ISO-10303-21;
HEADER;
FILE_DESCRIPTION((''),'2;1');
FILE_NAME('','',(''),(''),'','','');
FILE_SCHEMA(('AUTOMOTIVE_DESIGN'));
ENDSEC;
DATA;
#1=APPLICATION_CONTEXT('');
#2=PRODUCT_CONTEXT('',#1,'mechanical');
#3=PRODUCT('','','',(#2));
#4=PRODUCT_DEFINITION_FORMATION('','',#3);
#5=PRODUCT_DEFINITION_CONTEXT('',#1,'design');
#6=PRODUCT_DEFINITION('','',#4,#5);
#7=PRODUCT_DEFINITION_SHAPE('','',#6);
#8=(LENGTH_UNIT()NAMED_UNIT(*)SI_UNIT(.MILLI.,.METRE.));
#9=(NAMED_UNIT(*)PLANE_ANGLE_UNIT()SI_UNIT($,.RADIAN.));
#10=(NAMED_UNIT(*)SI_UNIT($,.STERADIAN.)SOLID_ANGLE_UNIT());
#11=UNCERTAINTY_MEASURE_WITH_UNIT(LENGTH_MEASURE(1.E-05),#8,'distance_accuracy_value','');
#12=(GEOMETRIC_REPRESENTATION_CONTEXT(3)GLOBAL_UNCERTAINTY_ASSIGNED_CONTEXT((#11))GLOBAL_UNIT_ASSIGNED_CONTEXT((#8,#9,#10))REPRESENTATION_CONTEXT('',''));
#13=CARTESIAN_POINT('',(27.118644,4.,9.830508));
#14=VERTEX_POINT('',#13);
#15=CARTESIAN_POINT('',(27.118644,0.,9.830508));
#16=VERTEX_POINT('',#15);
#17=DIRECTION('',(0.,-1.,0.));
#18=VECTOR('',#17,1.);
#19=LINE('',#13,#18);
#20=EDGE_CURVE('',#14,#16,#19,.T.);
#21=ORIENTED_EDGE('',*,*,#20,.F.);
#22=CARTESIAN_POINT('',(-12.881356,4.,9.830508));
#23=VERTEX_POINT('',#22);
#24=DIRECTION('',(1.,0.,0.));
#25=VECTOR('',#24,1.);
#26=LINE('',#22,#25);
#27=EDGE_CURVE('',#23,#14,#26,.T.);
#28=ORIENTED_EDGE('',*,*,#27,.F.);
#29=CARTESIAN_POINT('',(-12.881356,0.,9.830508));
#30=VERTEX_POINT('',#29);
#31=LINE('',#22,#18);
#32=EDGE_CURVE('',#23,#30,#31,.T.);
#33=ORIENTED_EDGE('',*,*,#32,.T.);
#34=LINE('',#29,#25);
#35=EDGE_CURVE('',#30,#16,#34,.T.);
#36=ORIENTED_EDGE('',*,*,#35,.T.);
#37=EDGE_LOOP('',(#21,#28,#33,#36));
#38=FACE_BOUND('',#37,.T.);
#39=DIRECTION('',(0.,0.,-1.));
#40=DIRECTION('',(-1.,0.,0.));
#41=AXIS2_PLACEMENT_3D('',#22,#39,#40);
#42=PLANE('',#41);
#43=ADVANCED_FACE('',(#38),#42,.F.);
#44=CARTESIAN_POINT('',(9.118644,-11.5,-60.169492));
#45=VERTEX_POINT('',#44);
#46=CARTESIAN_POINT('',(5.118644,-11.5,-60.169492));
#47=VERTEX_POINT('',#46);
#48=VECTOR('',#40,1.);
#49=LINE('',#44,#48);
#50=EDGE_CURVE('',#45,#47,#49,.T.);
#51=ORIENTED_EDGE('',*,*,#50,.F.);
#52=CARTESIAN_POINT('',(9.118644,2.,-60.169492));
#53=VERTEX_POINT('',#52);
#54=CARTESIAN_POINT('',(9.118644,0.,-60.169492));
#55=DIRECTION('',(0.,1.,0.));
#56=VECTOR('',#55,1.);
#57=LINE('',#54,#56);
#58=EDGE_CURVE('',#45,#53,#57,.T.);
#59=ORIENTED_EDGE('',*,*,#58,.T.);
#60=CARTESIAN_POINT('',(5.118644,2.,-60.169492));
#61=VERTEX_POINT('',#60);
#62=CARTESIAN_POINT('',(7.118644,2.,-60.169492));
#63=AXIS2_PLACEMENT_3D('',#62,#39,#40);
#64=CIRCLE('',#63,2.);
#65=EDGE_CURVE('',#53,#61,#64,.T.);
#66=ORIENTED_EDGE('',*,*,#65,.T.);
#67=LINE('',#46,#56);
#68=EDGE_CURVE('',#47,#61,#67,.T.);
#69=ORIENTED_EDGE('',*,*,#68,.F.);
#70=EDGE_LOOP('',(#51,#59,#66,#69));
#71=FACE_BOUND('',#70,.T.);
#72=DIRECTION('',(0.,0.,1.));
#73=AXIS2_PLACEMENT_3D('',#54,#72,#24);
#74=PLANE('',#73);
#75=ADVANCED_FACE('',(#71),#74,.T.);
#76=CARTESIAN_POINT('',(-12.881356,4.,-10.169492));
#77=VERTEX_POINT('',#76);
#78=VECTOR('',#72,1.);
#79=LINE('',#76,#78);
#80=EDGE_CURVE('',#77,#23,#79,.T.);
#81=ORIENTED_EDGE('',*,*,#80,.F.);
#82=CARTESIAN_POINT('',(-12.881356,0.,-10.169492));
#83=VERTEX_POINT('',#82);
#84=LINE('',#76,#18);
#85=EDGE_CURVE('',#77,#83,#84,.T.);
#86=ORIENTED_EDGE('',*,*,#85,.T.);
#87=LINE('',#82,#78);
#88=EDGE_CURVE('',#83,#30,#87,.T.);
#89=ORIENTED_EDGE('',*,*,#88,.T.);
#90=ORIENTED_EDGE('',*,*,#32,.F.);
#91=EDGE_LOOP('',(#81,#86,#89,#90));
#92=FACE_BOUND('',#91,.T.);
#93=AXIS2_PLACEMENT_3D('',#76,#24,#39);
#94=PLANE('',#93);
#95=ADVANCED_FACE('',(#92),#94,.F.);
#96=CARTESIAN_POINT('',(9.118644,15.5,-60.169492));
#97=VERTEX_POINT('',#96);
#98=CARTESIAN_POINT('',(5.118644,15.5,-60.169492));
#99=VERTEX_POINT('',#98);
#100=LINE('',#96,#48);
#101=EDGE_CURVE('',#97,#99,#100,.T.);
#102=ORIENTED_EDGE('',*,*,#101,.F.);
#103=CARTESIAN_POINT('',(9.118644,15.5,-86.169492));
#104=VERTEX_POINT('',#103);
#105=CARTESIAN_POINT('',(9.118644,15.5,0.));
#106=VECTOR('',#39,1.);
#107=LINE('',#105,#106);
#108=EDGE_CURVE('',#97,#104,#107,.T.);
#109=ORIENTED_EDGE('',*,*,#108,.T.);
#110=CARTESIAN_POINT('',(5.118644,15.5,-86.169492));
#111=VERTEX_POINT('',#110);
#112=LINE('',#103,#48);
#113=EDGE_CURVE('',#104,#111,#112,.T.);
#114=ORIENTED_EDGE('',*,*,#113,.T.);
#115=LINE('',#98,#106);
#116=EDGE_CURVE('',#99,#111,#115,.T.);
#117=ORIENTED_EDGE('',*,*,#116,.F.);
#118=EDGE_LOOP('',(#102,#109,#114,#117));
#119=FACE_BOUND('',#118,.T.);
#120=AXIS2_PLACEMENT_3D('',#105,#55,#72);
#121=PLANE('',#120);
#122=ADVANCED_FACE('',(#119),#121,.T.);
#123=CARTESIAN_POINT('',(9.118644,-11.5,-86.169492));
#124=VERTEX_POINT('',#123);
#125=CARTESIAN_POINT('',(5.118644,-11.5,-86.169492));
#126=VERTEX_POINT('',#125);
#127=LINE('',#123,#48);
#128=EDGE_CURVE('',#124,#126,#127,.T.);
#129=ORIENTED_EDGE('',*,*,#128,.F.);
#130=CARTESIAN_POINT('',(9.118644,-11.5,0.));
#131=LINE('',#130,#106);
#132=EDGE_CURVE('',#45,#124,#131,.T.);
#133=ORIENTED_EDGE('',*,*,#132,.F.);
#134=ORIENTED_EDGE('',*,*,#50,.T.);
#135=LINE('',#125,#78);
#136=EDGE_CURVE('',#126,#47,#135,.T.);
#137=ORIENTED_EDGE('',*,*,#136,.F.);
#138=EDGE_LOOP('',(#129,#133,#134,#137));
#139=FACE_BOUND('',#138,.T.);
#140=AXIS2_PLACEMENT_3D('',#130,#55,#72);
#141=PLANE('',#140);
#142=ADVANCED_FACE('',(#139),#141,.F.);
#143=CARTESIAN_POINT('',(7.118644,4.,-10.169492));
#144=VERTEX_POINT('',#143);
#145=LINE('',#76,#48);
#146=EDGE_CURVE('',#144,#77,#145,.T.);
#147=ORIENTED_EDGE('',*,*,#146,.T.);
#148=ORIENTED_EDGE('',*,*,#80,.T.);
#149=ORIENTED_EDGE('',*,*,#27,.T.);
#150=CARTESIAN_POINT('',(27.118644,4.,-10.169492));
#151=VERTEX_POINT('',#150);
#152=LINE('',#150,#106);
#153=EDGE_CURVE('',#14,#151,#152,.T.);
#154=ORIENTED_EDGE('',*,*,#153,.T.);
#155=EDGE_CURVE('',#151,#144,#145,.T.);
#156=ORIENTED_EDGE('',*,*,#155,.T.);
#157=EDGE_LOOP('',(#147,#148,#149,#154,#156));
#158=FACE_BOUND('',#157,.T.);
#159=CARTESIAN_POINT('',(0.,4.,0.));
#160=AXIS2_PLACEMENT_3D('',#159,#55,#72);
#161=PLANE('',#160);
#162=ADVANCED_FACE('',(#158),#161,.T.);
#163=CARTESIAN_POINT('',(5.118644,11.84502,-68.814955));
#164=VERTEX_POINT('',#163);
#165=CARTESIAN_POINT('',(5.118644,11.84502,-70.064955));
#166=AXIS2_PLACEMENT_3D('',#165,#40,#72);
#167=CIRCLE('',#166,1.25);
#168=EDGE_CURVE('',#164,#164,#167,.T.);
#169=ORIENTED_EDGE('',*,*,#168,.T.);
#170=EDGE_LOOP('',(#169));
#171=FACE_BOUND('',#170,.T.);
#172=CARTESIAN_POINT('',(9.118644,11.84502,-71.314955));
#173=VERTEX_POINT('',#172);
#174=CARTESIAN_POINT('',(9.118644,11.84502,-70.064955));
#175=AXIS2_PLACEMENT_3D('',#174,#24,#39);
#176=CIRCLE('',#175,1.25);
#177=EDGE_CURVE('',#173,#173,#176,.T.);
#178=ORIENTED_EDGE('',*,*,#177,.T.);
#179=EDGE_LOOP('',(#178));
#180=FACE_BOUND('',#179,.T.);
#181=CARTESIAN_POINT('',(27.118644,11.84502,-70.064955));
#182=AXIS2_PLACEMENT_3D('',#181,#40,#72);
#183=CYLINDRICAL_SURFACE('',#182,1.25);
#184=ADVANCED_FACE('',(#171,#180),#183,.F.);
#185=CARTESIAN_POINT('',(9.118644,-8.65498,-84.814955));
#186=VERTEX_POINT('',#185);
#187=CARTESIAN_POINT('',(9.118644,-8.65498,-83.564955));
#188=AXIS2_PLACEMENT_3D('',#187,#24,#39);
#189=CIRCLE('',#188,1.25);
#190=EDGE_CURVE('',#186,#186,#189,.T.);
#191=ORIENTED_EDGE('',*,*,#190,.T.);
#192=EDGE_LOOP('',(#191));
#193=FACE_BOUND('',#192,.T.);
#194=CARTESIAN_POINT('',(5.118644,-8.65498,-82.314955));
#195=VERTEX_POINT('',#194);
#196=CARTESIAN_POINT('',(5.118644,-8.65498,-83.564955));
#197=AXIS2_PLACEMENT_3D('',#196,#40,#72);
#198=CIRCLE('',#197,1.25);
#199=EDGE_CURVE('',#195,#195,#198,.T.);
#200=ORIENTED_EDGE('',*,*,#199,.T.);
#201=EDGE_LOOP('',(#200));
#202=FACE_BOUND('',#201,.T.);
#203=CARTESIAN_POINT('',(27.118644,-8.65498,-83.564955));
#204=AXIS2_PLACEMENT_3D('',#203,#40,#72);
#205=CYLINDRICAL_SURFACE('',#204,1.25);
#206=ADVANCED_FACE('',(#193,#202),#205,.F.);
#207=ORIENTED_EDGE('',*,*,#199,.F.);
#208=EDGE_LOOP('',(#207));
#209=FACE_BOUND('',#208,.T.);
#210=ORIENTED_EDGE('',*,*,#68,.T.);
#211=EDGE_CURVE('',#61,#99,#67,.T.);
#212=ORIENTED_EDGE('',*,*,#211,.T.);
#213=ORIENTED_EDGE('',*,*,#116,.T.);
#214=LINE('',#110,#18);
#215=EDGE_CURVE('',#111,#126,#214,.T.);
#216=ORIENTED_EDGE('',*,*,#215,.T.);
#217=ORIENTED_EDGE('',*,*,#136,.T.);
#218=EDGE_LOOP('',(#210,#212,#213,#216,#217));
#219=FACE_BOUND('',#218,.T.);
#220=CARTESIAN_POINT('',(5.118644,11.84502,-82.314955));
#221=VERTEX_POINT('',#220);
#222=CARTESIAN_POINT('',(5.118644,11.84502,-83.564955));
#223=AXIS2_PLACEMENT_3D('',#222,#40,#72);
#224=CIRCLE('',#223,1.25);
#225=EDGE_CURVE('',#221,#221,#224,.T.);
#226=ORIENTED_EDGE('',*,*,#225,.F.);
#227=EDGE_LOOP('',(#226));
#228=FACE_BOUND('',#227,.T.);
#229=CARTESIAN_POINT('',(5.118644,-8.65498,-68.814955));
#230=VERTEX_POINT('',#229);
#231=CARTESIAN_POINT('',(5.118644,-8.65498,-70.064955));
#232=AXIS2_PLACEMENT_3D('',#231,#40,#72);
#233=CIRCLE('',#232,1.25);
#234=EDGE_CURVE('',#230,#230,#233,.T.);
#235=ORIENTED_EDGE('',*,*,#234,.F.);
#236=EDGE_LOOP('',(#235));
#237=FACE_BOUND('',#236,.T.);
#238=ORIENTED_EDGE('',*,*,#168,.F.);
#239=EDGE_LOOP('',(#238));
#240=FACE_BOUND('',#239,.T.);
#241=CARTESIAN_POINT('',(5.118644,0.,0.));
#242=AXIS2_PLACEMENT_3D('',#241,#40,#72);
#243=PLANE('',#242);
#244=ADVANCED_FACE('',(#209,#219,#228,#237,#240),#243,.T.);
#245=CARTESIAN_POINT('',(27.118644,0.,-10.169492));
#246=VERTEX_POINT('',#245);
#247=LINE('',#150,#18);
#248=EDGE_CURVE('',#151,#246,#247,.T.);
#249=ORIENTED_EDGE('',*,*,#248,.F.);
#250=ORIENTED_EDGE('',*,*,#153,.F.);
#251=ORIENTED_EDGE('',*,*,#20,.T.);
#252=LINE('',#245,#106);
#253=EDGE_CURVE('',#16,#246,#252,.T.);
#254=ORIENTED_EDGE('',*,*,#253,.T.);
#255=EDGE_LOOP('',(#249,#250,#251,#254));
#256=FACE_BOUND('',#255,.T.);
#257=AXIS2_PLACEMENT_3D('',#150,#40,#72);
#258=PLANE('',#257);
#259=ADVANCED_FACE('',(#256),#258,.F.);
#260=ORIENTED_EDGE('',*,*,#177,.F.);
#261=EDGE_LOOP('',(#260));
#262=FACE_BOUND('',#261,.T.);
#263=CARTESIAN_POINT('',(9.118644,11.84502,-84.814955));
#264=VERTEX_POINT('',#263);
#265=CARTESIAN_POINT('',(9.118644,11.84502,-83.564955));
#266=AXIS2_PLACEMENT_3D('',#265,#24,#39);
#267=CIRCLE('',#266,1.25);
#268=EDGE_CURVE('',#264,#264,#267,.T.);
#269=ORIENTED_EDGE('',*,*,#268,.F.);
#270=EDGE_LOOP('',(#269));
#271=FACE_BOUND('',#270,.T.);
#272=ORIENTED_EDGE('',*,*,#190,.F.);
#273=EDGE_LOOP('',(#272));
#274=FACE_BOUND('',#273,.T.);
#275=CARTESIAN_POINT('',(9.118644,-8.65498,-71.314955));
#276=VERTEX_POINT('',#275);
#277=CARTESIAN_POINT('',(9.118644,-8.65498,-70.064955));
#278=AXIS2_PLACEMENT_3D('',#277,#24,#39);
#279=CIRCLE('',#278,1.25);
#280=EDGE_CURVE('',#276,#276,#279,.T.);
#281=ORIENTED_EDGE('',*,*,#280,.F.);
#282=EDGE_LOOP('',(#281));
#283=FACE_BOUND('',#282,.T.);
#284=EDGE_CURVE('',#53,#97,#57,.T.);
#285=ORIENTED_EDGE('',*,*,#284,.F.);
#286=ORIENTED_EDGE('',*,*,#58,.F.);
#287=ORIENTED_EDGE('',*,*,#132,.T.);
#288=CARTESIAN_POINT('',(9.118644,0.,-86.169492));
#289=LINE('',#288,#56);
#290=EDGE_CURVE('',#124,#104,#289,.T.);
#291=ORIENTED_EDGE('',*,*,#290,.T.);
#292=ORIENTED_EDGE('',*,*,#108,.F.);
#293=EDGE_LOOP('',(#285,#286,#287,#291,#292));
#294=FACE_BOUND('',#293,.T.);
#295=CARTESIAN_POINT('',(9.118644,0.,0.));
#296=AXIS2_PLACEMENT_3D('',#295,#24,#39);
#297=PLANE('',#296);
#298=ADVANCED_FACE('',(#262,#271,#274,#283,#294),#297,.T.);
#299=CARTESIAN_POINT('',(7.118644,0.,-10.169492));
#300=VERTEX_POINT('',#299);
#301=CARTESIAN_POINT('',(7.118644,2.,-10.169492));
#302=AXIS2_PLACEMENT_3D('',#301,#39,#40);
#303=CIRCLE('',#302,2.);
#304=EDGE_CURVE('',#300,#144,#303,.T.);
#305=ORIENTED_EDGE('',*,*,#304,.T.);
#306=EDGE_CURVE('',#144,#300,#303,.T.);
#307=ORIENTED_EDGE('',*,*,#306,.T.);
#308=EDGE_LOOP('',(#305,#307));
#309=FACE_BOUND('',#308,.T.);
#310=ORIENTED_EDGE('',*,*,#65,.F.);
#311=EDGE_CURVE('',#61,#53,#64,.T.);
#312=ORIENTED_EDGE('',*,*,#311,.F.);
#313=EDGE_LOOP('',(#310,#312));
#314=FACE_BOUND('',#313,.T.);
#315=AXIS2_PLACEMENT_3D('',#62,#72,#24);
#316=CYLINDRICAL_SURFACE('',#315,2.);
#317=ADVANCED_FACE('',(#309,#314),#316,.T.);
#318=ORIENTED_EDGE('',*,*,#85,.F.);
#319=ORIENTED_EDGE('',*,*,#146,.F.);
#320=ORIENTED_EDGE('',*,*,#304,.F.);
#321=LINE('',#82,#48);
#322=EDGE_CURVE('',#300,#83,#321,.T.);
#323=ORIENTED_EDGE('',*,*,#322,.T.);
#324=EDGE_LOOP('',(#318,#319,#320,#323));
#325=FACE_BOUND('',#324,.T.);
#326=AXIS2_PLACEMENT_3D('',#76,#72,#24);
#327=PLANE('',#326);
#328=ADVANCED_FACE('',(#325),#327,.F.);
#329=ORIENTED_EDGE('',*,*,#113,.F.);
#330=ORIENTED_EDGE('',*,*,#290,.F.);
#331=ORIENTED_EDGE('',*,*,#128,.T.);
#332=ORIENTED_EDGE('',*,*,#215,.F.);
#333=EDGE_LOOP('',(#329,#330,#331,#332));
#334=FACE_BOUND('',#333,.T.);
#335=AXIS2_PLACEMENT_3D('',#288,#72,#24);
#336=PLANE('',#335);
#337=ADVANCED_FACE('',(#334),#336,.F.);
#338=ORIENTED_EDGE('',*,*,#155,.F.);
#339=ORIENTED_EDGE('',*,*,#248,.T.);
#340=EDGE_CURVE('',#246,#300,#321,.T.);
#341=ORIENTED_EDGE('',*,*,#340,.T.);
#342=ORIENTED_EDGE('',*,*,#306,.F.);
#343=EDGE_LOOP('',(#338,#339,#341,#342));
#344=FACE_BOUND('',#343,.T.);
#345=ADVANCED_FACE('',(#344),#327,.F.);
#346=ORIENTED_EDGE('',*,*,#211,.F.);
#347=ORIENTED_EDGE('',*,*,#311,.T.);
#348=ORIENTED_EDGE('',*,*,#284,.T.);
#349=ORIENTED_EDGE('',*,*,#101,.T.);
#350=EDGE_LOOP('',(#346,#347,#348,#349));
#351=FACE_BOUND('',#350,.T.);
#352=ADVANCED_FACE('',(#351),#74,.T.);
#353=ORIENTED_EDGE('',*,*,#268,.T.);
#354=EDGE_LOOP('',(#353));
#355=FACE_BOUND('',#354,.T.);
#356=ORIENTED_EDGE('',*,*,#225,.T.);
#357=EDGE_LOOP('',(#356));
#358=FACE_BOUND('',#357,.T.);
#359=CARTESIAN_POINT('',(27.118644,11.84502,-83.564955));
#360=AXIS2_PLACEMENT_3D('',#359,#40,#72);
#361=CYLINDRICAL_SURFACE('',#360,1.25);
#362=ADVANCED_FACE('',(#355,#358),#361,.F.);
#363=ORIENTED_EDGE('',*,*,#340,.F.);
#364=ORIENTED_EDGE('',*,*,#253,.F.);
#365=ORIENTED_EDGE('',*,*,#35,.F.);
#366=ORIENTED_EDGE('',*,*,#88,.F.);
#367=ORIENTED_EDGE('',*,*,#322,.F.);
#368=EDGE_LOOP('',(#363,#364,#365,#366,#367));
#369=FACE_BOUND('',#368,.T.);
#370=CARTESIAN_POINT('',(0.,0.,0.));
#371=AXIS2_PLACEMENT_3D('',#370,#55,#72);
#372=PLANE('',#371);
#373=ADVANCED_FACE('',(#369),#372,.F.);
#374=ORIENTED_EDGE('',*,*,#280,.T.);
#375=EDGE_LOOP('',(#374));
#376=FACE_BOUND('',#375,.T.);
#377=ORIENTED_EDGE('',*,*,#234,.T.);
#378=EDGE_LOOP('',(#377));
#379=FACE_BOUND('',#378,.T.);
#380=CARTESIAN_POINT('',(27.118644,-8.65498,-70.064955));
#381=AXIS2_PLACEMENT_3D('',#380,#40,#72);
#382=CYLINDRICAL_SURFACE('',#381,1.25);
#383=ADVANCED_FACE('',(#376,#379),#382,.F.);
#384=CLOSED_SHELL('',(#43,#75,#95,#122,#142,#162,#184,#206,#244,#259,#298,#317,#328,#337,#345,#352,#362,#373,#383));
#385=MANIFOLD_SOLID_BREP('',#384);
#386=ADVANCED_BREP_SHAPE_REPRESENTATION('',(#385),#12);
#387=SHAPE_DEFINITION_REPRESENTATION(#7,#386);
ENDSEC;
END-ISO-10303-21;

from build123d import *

# Parameters (mm, degrees)
SKETCH1_W           = 40
SKETCH1_H           = 20
BOSS_EXTRUDE1_DEPTH = 4
SKETCH3_R           = 2
BOSS_EXTRUDE3_DEPTH = 50
SKETCH5_W           = 26
SKETCH5_H           = 13.5
BOSS_EXTRUDE4_DEPTH = 2
BOSS_EXTRUDE5_DEPTH = 2
SKETCH7_R           = 1.25
CUT_EXTRUDE1_DEPTH  = 23


with BuildPart() as part:
    # Sketch1 → Boss-Extrude1 (new body)
    with BuildSketch(Plane(origin=(0, 0, 0), x_dir=(1, 0, 0), z_dir=(0, 1, 0))):
        with Locations((7.118644068, 0.169491525)):
            Rectangle(SKETCH1_W, SKETCH1_H)
    extrude(amount=BOSS_EXTRUDE1_DEPTH)

    # Sketch3 → Boss-Extrude3 (add)
    with BuildSketch(Plane(origin=(0, 0, -10.169491525), x_dir=(-1, 0, 0), z_dir=(0, 0, -1))):
        with Locations((-7.118644068, 2)):
            Circle(SKETCH3_R)
    extrude(amount=BOSS_EXTRUDE3_DEPTH)

    # Sketch5 → Boss-Extrude4 (add)
    with BuildSketch(Plane(origin=(7.118644068, 0, 0), x_dir=(0, 0, -1), z_dir=(1, 0, 0))):
        with Locations((73.169491525, 8.75)):
            Rectangle(SKETCH5_W, SKETCH5_H)
        with Locations((73.169491525, -4.75)):
            Rectangle(SKETCH5_W, SKETCH5_H)
    extrude(amount=BOSS_EXTRUDE4_DEPTH)

    # Sketch6 → Boss-Extrude5 (add)
    with BuildSketch(Plane.ZY.offset(-7.118644068)):
        Polygon((-60.169491525, -11.5), (-60.169491525, 0), (-60.169491525, 4), (-60.169491525, 15.5), (-86.169491525, 15.5), (-86.169491525, -11.5), align=None)
    extrude(amount=BOSS_EXTRUDE5_DEPTH)

    # Sketch7 → Cut-Extrude1 (cut, through all)
    with BuildSketch(Plane.ZY.offset(-5.118644068)):
        with Locations((-83.564955349, -8.654979701)):
            Circle(SKETCH7_R)
        with Locations((-70.064955349, 11.845020299)):
            Circle(SKETCH7_R)
        with Locations((-70.064955349, -8.654979701)):
            Circle(SKETCH7_R)
        with Locations((-83.564955349, 11.845020299)):
            Circle(SKETCH7_R)
    extrude(amount=-CUT_EXTRUDE1_DEPTH, mode=Mode.SUBTRACT)


solid = part.part
